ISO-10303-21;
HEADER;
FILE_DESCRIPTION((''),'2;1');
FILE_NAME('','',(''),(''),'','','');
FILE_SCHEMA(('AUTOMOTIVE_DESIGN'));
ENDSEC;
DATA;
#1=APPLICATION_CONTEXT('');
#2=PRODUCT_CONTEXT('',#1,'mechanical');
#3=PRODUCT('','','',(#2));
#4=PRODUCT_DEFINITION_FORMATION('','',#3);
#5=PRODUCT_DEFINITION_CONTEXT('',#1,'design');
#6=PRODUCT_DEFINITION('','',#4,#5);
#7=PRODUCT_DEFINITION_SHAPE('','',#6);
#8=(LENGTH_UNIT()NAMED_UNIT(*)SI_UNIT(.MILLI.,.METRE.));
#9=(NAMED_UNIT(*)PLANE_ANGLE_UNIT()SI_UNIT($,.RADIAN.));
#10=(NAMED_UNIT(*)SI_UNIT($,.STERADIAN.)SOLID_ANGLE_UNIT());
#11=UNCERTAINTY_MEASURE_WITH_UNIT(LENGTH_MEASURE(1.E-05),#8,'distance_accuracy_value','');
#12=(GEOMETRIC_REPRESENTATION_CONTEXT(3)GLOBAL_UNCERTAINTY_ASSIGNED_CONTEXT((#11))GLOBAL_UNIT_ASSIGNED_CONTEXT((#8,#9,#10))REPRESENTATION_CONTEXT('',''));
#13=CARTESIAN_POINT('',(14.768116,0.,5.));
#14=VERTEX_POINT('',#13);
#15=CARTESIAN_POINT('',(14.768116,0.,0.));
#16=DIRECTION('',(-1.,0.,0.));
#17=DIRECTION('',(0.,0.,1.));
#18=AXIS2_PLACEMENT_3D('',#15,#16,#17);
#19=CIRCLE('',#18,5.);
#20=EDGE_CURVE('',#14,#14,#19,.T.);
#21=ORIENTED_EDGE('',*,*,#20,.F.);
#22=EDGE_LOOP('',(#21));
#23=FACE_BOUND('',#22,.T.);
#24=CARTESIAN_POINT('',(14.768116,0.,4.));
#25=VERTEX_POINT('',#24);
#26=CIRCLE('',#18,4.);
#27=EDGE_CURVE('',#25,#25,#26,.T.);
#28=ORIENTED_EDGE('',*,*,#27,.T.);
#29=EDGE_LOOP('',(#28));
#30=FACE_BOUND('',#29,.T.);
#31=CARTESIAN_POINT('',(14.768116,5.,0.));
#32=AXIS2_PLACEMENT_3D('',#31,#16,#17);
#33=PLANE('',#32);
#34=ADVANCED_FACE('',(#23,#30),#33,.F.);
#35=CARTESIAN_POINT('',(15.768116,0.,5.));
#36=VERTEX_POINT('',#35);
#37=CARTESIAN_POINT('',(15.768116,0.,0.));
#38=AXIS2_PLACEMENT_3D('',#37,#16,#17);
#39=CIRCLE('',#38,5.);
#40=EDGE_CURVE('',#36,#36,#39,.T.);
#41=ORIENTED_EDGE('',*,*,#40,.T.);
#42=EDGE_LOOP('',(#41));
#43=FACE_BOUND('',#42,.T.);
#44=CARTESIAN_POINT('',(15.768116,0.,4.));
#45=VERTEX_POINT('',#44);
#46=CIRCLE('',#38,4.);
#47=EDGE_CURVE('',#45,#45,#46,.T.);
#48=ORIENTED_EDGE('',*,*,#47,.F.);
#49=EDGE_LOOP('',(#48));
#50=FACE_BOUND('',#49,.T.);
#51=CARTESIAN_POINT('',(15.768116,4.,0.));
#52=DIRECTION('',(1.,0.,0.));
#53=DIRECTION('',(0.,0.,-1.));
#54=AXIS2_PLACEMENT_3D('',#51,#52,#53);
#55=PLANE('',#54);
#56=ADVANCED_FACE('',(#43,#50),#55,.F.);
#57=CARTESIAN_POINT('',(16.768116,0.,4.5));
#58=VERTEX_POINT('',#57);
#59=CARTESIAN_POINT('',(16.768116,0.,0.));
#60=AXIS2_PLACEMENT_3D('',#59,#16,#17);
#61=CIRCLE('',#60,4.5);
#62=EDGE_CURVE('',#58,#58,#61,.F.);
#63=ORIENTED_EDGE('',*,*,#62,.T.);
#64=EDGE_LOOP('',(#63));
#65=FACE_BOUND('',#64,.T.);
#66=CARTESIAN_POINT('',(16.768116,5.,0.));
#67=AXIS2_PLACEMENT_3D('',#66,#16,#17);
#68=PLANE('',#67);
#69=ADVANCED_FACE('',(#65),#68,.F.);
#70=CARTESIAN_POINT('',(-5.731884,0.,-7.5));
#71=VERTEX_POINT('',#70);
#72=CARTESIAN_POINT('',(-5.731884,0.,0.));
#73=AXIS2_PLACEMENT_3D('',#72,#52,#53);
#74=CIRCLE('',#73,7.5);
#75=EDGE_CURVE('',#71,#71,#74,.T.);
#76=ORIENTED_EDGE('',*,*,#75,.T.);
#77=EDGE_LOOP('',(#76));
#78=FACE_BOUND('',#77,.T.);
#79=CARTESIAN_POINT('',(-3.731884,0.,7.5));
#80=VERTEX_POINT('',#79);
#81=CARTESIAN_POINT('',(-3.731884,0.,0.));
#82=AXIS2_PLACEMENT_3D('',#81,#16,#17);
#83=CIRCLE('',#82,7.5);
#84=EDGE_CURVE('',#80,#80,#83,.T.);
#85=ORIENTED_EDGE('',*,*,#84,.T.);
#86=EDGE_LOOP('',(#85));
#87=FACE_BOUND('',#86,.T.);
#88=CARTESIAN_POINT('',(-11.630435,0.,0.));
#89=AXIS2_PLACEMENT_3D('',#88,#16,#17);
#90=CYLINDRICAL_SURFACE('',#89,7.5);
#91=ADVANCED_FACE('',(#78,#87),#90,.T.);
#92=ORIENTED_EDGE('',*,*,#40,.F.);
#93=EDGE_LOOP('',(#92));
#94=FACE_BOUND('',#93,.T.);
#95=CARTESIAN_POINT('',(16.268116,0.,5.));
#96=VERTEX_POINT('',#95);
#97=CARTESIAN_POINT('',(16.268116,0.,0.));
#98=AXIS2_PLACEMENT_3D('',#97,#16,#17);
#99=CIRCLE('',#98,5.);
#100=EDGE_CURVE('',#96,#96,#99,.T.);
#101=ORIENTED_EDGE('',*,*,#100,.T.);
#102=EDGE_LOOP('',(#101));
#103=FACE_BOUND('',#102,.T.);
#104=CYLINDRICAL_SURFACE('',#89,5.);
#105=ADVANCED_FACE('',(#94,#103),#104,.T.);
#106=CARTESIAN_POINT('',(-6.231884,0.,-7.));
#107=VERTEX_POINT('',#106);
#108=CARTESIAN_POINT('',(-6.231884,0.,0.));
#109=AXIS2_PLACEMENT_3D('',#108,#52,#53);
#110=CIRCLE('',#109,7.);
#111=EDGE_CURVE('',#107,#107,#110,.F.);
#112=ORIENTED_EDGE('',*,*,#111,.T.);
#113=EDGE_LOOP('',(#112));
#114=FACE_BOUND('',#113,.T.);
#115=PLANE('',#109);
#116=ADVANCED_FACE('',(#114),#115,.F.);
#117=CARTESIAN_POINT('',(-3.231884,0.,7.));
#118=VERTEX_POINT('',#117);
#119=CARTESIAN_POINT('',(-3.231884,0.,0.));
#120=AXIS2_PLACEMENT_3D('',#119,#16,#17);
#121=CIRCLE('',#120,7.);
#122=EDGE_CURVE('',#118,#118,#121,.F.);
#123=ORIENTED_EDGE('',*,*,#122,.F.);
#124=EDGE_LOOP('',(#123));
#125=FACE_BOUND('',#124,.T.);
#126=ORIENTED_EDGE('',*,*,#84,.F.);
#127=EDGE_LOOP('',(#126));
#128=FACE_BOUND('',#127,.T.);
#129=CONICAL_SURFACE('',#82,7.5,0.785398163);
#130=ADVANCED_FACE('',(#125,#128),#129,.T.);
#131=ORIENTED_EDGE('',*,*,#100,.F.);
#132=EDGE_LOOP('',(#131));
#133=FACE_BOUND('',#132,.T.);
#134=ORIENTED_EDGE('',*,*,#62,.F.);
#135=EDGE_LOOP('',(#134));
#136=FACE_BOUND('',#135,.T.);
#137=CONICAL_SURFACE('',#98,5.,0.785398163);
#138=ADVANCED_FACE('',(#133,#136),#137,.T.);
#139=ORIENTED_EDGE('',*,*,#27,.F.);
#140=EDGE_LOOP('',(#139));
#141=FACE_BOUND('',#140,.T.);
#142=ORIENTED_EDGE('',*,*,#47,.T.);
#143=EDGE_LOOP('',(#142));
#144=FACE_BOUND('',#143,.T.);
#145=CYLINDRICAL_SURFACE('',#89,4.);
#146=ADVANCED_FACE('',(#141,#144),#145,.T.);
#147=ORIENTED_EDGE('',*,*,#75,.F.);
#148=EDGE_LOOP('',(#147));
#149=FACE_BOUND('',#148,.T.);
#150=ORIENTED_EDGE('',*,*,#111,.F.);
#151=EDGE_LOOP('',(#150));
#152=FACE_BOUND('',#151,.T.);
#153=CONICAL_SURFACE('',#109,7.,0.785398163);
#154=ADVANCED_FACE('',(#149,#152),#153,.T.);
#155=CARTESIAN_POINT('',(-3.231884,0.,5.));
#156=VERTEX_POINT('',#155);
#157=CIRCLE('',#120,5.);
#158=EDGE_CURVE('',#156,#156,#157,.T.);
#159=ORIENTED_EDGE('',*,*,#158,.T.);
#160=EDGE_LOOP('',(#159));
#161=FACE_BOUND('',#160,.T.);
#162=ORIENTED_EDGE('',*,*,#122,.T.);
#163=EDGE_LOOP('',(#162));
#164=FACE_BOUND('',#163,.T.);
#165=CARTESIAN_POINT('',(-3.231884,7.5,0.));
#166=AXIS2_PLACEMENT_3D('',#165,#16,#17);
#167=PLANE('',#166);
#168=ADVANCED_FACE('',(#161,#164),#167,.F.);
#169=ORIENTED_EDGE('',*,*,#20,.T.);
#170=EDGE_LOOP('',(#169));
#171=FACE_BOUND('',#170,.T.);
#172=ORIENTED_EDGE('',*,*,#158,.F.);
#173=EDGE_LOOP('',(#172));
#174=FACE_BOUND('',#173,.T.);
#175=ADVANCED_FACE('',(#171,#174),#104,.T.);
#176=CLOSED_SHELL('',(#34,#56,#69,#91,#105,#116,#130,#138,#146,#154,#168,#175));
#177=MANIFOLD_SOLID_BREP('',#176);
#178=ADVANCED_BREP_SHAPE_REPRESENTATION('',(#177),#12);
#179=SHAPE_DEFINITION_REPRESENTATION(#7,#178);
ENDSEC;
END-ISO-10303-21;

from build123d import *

# Parameters (mm, degrees)
CHAMFER_1_SIZE = 0.5


with BuildPart() as part:
    # 草图1 → 旋转1 (revolve)
    with BuildSketch(Plane.XY, mode=Mode.PRIVATE) as revolve_1_sk:
        Polygon((-6.231884058, 0), (-6.231884058, 7.5), (-3.231884058, 7.5), (-3.231884058, 5), (14.768115942, 5), (14.768115942, 4), (15.768115942, 4), (15.768115942, 5), (16.768115942, 5), (16.768115942, 0), align=None)
    revolve(revolve_1_sk.sketch.rotate(Axis((-11.630434783, 0, 0), (1, 0, 0)), 90), axis=Axis((-11.630434783, 0, 0), (1, 0, 0)))

    # 倒角1
    chamfer_1_edges = [part.edges().sort_by_distance(p)[0] for p in [
        (-3.231884058, 0, -7.5),
        (-6.231884058, 0, -7.5),
        (16.768115942, 0, -5),
    ]]
    chamfer(chamfer_1_edges, length=CHAMFER_1_SIZE)


solid = part.part
